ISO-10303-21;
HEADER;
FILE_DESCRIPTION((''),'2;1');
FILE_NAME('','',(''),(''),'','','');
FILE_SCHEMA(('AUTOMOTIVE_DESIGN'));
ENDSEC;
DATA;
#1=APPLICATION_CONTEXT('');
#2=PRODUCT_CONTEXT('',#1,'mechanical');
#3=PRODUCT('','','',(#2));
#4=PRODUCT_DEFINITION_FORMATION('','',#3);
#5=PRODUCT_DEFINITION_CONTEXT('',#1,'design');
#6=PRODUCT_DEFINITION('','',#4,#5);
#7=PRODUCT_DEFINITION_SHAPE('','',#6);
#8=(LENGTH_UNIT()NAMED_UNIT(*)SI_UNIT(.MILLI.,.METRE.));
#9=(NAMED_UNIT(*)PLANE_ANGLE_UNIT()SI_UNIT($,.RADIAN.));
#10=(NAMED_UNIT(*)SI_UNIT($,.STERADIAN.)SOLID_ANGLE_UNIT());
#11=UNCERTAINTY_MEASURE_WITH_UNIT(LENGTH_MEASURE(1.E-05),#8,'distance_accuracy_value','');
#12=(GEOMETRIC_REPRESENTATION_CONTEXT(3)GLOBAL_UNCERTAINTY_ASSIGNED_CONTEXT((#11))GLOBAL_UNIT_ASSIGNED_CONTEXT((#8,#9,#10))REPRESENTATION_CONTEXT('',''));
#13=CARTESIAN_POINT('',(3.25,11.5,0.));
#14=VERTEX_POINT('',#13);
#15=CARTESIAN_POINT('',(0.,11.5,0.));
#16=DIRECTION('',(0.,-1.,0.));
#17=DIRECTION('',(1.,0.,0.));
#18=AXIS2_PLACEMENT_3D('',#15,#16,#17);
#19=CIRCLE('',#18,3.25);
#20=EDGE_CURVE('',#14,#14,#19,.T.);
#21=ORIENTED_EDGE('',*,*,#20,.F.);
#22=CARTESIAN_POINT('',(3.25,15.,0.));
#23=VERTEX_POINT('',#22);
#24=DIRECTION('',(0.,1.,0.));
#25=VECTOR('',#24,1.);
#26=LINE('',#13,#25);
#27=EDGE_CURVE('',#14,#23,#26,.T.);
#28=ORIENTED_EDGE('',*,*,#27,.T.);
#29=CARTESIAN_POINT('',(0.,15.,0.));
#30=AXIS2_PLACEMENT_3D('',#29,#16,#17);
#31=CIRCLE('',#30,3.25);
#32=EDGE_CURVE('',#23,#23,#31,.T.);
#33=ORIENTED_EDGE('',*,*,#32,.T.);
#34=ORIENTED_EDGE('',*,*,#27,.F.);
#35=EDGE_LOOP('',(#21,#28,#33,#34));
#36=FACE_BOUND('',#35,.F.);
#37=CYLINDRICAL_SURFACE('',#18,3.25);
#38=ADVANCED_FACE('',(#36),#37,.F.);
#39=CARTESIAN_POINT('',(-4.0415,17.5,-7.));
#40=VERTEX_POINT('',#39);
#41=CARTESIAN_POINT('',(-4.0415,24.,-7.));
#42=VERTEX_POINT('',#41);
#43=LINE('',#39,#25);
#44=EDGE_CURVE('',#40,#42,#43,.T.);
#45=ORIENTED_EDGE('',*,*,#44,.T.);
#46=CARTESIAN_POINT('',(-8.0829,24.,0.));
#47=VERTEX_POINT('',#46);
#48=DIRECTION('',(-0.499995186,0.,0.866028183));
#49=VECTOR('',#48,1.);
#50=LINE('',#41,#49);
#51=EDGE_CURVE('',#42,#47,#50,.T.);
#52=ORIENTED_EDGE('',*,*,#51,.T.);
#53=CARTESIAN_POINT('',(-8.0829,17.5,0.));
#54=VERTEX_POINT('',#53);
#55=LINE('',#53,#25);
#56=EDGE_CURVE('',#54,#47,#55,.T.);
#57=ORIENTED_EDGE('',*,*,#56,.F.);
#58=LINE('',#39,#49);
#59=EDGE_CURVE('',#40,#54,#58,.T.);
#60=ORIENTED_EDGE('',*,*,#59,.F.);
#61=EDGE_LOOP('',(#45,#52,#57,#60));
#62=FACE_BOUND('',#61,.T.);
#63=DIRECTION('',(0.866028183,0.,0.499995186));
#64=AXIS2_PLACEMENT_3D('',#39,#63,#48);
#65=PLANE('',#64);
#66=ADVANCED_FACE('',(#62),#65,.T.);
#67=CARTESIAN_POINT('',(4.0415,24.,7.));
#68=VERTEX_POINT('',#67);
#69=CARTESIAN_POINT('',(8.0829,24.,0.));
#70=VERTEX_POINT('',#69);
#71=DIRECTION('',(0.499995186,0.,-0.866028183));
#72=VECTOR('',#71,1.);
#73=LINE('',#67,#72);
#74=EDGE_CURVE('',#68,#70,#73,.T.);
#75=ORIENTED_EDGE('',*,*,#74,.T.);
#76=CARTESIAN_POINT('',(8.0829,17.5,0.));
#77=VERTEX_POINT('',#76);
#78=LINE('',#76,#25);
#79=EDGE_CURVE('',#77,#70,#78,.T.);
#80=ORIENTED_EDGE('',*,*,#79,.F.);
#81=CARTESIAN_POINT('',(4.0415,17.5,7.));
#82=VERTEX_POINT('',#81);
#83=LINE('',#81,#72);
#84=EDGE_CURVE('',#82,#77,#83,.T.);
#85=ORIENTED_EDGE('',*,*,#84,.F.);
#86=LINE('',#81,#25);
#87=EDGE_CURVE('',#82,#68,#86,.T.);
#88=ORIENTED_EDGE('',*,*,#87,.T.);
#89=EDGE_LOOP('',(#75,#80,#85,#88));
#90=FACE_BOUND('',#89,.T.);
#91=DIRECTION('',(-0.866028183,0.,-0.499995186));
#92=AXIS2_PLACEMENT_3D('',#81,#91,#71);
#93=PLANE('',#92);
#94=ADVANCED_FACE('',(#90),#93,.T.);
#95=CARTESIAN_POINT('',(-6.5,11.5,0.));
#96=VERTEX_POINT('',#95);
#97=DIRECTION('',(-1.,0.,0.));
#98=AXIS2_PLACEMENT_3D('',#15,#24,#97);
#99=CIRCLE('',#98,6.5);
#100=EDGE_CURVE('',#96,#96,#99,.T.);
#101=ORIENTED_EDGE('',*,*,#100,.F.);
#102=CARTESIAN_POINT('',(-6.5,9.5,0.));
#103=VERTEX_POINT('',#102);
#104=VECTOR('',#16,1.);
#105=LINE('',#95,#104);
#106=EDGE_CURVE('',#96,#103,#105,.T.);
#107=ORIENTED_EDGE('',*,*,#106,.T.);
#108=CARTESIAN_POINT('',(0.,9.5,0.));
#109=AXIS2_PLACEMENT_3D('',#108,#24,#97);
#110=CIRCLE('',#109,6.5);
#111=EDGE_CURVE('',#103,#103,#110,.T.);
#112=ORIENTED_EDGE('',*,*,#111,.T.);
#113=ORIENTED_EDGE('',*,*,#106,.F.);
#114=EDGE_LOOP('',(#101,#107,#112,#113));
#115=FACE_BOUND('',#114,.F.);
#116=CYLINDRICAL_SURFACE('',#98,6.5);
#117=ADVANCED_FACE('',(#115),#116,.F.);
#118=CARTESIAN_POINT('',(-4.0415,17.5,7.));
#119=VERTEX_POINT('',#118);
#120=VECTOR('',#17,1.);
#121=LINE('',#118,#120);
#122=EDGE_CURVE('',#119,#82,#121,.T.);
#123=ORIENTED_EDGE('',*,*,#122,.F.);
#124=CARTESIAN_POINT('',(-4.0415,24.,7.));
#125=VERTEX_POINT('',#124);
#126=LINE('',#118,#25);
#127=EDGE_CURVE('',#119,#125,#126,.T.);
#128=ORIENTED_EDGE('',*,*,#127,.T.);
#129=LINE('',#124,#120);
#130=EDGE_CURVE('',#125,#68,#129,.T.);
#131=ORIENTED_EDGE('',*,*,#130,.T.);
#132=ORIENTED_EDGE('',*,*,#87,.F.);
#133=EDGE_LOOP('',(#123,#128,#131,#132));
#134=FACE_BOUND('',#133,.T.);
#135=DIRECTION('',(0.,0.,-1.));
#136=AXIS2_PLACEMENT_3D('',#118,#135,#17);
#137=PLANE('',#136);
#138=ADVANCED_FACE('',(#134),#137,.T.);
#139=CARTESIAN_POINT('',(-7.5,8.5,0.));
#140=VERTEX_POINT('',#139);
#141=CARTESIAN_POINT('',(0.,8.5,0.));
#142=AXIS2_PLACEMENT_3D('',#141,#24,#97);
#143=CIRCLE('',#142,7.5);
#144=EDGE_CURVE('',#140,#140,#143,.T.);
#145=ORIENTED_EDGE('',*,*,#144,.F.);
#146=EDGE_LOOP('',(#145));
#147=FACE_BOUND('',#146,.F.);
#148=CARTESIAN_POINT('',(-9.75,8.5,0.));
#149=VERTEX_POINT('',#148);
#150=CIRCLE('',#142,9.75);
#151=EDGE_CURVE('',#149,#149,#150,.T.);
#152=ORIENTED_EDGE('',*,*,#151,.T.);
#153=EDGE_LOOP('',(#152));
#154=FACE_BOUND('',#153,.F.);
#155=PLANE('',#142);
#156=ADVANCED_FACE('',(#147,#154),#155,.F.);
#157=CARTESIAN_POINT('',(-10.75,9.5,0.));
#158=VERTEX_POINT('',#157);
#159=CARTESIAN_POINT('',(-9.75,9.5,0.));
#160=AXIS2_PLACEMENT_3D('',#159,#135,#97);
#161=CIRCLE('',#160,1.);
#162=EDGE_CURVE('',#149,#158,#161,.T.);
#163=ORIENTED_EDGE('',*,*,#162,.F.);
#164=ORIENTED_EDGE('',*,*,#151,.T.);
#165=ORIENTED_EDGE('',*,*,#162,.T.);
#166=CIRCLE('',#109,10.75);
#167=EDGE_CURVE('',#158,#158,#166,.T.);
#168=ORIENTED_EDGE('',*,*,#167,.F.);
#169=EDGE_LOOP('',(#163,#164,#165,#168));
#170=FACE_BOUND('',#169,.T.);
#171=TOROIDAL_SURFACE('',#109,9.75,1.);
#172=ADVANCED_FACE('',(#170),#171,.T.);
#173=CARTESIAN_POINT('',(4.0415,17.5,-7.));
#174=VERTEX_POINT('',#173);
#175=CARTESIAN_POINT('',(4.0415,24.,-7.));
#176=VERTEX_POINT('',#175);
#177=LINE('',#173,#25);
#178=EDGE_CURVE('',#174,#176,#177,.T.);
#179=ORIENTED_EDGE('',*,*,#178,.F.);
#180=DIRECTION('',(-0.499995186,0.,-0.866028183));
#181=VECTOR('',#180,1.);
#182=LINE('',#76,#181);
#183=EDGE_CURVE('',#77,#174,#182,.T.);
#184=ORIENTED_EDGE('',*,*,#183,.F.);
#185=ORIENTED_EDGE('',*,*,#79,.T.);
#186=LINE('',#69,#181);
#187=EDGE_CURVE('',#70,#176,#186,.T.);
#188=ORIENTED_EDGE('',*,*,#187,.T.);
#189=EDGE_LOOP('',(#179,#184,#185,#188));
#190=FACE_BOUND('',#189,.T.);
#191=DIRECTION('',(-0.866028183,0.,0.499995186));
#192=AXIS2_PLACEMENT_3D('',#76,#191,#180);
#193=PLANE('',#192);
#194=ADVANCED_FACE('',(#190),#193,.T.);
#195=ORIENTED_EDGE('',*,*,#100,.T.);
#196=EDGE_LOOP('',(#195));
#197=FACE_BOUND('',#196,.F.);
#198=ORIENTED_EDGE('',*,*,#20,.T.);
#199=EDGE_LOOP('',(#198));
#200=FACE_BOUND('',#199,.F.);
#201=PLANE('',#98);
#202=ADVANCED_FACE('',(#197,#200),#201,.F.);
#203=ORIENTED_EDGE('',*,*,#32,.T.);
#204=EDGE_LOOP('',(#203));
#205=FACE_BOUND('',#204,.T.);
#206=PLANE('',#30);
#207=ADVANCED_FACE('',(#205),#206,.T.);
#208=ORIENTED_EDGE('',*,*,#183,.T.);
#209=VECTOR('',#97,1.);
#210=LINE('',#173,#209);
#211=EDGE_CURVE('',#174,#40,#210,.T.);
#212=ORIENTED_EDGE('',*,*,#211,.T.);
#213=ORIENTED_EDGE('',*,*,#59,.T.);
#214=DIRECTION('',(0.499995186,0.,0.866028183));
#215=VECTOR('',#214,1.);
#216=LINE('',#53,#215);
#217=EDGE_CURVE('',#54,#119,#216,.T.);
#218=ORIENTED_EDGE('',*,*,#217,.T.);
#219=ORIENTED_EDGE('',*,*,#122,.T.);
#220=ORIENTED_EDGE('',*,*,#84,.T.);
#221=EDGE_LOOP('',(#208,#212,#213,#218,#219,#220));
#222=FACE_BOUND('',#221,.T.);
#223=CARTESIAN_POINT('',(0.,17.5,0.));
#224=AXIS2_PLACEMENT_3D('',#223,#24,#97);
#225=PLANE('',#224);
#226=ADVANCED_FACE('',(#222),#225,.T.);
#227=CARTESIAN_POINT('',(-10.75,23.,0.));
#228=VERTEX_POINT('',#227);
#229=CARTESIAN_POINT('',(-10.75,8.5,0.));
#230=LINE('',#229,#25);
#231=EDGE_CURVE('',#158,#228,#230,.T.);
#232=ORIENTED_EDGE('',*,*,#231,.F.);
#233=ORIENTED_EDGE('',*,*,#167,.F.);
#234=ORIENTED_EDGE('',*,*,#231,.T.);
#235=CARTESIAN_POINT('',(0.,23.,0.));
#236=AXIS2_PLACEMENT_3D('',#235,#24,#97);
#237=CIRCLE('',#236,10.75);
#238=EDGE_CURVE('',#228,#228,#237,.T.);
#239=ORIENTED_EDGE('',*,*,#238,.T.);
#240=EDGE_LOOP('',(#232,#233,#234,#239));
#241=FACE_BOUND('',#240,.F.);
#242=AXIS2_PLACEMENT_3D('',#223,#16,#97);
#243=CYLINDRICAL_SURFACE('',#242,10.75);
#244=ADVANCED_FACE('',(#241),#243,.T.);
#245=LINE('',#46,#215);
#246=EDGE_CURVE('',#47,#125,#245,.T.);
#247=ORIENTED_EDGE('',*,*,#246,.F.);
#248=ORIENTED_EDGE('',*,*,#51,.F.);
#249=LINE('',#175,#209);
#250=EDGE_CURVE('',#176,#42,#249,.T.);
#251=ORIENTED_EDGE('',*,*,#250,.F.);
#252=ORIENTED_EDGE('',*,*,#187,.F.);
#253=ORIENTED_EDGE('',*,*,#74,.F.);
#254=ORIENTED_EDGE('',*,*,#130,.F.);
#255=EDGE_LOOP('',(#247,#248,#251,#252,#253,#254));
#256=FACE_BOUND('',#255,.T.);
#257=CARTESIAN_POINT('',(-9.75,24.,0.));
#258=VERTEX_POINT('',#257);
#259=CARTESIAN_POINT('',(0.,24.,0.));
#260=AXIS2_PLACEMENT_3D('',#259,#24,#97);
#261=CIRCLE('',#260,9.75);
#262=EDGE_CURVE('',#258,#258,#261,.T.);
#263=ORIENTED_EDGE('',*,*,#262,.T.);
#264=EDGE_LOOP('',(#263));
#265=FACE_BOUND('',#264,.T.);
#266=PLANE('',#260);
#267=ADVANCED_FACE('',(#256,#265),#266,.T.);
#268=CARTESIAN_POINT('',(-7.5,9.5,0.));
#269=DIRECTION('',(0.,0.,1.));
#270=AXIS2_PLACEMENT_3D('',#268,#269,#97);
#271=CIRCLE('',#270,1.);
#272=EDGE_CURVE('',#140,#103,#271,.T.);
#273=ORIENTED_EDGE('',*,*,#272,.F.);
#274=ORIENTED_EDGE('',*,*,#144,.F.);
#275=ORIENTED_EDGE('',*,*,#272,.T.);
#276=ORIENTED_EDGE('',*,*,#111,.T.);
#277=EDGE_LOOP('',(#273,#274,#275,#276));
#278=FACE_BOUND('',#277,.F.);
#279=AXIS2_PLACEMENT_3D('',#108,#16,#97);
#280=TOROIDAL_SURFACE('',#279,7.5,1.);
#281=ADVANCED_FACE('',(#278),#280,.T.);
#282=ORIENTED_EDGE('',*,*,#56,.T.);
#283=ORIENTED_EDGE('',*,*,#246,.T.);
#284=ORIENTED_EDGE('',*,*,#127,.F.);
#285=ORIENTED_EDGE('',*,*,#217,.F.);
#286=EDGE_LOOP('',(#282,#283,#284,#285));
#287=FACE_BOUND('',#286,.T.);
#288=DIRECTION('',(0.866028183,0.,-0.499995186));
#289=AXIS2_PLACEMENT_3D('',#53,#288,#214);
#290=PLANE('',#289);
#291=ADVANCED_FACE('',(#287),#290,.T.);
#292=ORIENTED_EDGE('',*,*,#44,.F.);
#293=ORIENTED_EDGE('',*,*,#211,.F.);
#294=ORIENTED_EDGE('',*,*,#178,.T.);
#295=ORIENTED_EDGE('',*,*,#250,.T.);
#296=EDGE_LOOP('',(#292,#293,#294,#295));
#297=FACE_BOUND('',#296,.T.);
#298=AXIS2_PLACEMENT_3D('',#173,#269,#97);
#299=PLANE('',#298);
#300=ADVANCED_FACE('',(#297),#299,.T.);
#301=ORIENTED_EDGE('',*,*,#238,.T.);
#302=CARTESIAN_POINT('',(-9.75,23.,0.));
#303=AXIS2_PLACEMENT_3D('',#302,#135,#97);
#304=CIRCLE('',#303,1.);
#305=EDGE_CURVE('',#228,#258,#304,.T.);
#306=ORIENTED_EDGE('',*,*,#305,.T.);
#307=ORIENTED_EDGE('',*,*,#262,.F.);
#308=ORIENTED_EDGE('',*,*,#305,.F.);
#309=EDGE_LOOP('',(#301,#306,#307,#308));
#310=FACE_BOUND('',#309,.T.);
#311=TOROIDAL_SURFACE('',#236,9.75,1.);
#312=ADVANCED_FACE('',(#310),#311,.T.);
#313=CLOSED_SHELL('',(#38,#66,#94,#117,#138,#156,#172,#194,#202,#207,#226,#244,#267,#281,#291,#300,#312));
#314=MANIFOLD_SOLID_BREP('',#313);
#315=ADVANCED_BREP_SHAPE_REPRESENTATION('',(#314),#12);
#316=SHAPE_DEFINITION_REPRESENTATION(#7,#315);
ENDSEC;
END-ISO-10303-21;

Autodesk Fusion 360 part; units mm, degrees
sketch "Sketch4" plane through (0, 11.5, 0) normal (0, 1, 0) x (-1, 0, 0) in component "Plunger"
  circle A0 centre (0, 0) radius 3.25
  circle A1 centre (0, 0) radius 6.5
  circle A2 centre (0, 0) radius 10.75
  dimension "d20" = 13
  dimension "d21" = 21.5
extrude "Extrude3" add sketch "Sketch4" against normal blind 3 contours A2 in component "Plunger"
sketch "Sketch5" plane through (0, 11.5, 0) normal (0, 1, 0) x (-1, 0, 0) in component "Plunger"
  circle A0 centre (0, 0) radius 6.5
  circle A1 centre (0, 0) radius 10.75
  circle A2 centre (0, 0) radius 9.15
extrude "Extrude4" add sketch "Sketch5" along normal blind 6 contours A0 | A1 | A2 in component "Plunger"
sketch "Sketch1" plane through (0, 11.5, 0) normal (0, -1, 0) x (1, 0, 0)
  circle A0 centre (0, 0) radius 6.5
  circle A1 centre (0, 0) radius 3.25
  dimension "d29" = 6.5
extrude "Extrude6" cut sketch "Sketch1" against normal blind 3.5 contours A1 in component "Plunger"
sketch "Sketch7" plane through (0, 17.5, 0) normal (0, 1, 0) x (-1, 0, 0) in component "Plunger"
  circle A0 centre (0, 0) radius 10.75
  line L0 (4.0415, -7) -> (8.0829, 0)
  line L1 (8.0829, 0) -> (4.0415, 7)
  line L2 (4.0415, 7) -> (-4.0415, 7)
  line L3 (-4.0415, 7) -> (-8.0829, 0)
  line L4 (-8.0829, 0) -> (-4.0415, -7)
  line L5 (-4.0415, -7) -> (4.0415, -7)
  dimension "d32" = 7
extrude "Extrude7" add sketch "Sketch7" along normal blind 6.5 in component "Plunger"
fillet "Fillet1" radius 1 1 edges at (6.0601, 8.5, -2.3505) in component "Plunger"
fillet "Fillet2" radius 1 1 edges at (10.0225, 8.5, 3.8874) in component "Plunger"
fillet "Fillet3" radius 1 1 edges at (10.0225, 24, -3.8874) in component "Plunger"
component "Plunger" placed x (1, 0, 0) y (0, 1, 0) z (0, 0, 1) at (0, 0, 0)
